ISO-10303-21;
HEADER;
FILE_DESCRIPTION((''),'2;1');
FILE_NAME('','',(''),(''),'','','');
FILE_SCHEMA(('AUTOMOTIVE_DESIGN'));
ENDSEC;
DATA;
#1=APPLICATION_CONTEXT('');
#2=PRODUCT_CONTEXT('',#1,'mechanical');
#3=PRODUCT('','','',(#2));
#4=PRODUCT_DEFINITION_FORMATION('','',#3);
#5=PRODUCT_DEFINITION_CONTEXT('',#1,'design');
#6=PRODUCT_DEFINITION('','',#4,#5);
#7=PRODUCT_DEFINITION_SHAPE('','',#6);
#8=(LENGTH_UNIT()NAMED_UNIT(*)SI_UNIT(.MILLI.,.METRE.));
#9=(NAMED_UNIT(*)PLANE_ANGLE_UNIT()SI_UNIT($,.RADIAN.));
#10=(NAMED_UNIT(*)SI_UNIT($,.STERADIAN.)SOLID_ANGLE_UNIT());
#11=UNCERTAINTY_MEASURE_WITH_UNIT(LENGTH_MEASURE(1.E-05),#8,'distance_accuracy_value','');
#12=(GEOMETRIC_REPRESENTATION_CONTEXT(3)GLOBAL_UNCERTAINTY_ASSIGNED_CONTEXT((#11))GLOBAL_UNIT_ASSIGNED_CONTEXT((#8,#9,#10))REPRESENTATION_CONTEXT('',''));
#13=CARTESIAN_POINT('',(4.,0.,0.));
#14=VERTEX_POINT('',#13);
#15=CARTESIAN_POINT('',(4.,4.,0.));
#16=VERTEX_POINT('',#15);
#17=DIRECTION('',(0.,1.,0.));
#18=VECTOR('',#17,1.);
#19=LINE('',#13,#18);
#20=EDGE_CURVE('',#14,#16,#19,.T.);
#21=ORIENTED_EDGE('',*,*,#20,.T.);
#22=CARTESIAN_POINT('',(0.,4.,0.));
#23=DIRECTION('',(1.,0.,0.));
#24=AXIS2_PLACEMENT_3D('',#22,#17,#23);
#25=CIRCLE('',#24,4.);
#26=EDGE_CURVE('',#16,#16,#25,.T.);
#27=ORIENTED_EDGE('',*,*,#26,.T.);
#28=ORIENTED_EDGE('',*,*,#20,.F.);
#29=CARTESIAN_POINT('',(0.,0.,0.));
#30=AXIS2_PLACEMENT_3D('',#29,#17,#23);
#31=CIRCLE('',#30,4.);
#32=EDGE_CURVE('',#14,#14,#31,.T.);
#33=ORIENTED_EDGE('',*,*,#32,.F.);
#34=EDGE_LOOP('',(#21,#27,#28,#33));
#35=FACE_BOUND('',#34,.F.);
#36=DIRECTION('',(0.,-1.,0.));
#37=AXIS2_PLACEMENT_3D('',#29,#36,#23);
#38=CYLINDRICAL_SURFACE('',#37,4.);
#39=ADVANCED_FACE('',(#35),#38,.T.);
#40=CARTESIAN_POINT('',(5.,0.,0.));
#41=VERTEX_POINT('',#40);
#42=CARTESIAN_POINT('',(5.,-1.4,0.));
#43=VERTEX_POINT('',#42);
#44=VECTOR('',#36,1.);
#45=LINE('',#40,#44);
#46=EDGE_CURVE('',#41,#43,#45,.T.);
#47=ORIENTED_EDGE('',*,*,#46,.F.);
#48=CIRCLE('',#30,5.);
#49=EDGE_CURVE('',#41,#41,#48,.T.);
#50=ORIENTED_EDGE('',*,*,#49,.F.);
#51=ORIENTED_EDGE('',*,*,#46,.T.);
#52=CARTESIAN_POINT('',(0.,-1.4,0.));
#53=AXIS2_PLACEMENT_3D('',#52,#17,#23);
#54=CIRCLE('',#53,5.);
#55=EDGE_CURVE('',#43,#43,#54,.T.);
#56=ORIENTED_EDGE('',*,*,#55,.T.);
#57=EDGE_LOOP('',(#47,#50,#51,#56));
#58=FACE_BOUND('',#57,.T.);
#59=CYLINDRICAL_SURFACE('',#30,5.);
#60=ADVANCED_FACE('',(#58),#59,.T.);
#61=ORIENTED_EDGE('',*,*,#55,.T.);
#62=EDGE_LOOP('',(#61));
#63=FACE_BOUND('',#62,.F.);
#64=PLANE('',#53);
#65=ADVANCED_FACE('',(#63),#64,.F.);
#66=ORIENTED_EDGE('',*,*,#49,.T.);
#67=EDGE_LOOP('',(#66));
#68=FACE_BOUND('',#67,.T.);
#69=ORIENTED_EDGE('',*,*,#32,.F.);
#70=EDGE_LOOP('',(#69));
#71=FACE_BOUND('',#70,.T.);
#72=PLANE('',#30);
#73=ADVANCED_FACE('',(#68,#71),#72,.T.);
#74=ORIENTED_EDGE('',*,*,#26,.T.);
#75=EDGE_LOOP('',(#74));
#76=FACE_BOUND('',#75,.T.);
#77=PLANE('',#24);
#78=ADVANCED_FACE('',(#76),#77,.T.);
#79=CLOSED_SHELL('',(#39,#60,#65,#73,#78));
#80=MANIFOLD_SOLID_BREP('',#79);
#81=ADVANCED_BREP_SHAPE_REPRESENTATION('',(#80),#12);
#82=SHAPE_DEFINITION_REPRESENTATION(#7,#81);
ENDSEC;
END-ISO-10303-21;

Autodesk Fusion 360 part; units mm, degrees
sketch "Sketch1" plane through (0, 0, 0) normal (0, 1, 0) x (1, 0, 0)
  circle A0 centre (0, 0) radius 4
  circle A1 centre (0, 0) radius 5
  dimension "d1" = 8
  dimension "d2" = 10
extrude "Extrude1" add sketch "Sketch1" against normal blind 1.4 contours A0 | A1
extrude "Extrude2" add sketch "Sketch1" along normal blind 4 contours A0
